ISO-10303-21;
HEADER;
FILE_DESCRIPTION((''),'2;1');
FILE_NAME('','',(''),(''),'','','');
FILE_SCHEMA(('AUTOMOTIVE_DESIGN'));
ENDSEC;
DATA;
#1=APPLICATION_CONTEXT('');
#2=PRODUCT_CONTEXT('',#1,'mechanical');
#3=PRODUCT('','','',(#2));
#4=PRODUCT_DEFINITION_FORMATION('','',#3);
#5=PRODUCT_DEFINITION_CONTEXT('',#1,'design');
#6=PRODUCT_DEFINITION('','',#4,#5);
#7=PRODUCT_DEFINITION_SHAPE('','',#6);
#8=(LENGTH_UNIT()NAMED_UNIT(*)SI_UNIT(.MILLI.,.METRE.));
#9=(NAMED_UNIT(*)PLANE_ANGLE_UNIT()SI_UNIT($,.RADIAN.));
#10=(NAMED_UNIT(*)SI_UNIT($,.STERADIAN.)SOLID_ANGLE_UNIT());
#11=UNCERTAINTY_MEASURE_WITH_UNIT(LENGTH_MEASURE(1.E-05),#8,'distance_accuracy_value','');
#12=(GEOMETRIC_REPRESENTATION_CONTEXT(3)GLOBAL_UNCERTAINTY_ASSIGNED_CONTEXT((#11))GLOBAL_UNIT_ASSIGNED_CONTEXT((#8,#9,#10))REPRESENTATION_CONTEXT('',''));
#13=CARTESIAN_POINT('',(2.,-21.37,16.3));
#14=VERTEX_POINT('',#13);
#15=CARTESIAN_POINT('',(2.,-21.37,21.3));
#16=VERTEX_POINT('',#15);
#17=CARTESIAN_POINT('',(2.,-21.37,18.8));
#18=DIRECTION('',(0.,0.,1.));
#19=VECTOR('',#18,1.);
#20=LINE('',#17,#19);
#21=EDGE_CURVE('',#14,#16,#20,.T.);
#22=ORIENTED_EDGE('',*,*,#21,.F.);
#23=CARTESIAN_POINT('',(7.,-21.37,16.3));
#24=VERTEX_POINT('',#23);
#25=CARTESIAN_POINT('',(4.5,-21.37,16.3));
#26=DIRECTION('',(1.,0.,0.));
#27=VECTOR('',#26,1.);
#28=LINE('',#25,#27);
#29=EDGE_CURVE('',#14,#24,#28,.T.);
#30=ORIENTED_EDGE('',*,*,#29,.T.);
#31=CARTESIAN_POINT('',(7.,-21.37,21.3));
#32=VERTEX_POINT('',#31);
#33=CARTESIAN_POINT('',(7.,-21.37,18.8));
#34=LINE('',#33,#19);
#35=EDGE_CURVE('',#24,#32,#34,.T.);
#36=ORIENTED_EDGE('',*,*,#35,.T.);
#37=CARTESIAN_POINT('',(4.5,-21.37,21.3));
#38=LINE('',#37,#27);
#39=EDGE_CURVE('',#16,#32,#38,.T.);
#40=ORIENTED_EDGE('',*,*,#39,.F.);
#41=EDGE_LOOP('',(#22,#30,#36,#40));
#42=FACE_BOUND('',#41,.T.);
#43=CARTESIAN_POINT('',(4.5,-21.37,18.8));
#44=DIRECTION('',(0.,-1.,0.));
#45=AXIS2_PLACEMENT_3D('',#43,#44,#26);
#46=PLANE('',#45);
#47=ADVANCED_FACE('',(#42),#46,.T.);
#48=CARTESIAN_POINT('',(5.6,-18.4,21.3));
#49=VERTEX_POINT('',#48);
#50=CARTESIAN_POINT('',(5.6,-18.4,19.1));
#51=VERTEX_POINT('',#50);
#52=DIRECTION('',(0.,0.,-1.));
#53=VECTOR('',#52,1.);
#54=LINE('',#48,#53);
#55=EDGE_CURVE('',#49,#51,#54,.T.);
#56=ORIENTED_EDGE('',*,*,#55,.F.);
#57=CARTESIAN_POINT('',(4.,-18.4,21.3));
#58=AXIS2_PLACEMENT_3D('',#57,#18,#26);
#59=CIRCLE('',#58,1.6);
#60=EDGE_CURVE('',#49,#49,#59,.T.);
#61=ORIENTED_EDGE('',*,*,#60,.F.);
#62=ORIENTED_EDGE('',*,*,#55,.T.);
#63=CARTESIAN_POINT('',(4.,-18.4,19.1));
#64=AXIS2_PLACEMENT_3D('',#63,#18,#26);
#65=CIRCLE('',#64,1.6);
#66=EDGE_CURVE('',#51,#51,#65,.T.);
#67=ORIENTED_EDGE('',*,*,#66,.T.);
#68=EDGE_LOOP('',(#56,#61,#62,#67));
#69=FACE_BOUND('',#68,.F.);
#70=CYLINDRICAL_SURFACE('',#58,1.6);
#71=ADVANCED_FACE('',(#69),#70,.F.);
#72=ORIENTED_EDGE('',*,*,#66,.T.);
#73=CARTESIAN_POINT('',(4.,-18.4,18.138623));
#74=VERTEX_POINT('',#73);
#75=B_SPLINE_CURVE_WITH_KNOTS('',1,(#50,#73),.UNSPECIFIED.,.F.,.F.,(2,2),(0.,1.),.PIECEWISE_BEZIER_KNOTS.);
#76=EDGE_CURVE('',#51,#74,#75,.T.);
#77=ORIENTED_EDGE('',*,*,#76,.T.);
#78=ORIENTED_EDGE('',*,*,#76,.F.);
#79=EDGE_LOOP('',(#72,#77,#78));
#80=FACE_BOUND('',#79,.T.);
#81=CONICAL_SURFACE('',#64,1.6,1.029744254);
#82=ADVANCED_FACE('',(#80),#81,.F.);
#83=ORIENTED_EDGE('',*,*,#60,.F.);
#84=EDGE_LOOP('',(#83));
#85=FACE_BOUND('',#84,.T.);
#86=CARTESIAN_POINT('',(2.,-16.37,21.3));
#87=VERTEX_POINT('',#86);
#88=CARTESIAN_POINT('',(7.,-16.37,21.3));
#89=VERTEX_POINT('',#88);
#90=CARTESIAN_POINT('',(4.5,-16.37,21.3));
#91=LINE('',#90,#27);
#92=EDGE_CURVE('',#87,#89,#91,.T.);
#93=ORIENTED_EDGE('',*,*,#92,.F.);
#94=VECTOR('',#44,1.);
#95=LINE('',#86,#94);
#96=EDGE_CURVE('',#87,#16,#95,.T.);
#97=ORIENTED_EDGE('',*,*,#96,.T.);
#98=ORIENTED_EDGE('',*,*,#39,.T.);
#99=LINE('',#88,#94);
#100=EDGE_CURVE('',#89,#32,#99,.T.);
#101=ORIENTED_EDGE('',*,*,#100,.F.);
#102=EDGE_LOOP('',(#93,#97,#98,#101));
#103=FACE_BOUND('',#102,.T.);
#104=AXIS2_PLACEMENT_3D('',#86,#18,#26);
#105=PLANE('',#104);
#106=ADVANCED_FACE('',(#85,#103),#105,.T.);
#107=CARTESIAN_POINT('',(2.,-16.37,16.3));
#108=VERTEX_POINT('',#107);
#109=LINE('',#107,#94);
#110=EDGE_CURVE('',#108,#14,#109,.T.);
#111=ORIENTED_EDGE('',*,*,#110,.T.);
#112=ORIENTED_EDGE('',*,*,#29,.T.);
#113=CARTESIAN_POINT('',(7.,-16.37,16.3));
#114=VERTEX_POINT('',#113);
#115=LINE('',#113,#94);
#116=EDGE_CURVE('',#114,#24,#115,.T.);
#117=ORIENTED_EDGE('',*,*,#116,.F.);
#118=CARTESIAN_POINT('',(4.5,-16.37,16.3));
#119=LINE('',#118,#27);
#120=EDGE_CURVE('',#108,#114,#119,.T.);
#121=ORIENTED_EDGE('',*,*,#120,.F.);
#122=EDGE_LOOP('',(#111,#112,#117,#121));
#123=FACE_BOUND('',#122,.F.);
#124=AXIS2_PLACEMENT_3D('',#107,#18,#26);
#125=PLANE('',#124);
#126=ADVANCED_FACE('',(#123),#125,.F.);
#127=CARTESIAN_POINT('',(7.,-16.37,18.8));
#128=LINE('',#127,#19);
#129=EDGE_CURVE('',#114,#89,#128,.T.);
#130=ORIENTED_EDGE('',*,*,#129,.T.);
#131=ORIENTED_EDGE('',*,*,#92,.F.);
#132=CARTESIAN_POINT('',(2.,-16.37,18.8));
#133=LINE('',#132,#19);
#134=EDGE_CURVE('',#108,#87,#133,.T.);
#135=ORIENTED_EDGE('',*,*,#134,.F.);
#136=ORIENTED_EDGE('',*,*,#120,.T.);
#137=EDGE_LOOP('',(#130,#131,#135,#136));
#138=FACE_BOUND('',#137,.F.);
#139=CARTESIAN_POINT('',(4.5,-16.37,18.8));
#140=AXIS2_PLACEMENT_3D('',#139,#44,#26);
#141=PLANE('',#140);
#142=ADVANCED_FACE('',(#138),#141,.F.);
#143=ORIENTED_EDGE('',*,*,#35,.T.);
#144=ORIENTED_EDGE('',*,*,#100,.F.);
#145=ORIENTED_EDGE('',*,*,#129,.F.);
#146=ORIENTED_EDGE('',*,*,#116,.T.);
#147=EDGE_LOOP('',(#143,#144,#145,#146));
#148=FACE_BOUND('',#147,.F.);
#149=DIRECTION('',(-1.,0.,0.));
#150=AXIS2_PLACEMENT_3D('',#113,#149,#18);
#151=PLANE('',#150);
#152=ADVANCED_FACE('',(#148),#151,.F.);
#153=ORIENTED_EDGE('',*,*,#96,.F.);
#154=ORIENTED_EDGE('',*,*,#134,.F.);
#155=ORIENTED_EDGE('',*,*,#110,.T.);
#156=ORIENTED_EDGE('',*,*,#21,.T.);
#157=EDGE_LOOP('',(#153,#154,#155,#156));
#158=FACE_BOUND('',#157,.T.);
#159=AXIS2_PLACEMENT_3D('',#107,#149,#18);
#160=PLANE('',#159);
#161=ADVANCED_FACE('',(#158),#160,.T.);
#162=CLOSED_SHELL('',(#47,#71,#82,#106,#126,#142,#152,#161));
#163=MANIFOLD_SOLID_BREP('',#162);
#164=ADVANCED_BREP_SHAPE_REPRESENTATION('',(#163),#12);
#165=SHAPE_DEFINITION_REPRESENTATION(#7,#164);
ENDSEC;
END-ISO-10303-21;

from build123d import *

# Parameters (mm, degrees)
SKETCH099_W      = 5
SKETCH099_H      = 5
EXTRUDE035_DEPTH = 5
SKETCH100_R      = 1.6
HOLE021_DEPTH    = 2.2
HOLE021_TIPS_R   = 1.6


with BuildPart() as part:
    # Sketch099 (on Face9 of Pocket017) → Extrude035 (new body)
    with BuildSketch(Plane.XZ.offset(16.37)):
        with Locations((4.5, 18.8)):
            Rectangle(SKETCH099_W, SKETCH099_H)
    extrude(amount=EXTRUDE035_DEPTH)

    # Sketch100 (on Face1 of Extrude035) → Hole021 (cut)
    with BuildSketch(Plane.XY.offset(21.3)):
        with Locations((4, -18.4)):
            Circle(SKETCH100_R)
    extrude(amount=-HOLE021_DEPTH, mode=Mode.SUBTRACT)

    # Hole021 tips → Hole021 tip 1 section 0
    with BuildSketch(Plane.XY.offset(19.1), mode=Mode.PRIVATE) as hole021_tip_1_s0:
        with Locations((4, -18.4)):
            Circle(HOLE021_TIPS_R)
    loft([hole021_tip_1_s0.sketch, Vertex(4, -18.4, 18.138623)], mode=Mode.SUBTRACT)


solid = part.part
